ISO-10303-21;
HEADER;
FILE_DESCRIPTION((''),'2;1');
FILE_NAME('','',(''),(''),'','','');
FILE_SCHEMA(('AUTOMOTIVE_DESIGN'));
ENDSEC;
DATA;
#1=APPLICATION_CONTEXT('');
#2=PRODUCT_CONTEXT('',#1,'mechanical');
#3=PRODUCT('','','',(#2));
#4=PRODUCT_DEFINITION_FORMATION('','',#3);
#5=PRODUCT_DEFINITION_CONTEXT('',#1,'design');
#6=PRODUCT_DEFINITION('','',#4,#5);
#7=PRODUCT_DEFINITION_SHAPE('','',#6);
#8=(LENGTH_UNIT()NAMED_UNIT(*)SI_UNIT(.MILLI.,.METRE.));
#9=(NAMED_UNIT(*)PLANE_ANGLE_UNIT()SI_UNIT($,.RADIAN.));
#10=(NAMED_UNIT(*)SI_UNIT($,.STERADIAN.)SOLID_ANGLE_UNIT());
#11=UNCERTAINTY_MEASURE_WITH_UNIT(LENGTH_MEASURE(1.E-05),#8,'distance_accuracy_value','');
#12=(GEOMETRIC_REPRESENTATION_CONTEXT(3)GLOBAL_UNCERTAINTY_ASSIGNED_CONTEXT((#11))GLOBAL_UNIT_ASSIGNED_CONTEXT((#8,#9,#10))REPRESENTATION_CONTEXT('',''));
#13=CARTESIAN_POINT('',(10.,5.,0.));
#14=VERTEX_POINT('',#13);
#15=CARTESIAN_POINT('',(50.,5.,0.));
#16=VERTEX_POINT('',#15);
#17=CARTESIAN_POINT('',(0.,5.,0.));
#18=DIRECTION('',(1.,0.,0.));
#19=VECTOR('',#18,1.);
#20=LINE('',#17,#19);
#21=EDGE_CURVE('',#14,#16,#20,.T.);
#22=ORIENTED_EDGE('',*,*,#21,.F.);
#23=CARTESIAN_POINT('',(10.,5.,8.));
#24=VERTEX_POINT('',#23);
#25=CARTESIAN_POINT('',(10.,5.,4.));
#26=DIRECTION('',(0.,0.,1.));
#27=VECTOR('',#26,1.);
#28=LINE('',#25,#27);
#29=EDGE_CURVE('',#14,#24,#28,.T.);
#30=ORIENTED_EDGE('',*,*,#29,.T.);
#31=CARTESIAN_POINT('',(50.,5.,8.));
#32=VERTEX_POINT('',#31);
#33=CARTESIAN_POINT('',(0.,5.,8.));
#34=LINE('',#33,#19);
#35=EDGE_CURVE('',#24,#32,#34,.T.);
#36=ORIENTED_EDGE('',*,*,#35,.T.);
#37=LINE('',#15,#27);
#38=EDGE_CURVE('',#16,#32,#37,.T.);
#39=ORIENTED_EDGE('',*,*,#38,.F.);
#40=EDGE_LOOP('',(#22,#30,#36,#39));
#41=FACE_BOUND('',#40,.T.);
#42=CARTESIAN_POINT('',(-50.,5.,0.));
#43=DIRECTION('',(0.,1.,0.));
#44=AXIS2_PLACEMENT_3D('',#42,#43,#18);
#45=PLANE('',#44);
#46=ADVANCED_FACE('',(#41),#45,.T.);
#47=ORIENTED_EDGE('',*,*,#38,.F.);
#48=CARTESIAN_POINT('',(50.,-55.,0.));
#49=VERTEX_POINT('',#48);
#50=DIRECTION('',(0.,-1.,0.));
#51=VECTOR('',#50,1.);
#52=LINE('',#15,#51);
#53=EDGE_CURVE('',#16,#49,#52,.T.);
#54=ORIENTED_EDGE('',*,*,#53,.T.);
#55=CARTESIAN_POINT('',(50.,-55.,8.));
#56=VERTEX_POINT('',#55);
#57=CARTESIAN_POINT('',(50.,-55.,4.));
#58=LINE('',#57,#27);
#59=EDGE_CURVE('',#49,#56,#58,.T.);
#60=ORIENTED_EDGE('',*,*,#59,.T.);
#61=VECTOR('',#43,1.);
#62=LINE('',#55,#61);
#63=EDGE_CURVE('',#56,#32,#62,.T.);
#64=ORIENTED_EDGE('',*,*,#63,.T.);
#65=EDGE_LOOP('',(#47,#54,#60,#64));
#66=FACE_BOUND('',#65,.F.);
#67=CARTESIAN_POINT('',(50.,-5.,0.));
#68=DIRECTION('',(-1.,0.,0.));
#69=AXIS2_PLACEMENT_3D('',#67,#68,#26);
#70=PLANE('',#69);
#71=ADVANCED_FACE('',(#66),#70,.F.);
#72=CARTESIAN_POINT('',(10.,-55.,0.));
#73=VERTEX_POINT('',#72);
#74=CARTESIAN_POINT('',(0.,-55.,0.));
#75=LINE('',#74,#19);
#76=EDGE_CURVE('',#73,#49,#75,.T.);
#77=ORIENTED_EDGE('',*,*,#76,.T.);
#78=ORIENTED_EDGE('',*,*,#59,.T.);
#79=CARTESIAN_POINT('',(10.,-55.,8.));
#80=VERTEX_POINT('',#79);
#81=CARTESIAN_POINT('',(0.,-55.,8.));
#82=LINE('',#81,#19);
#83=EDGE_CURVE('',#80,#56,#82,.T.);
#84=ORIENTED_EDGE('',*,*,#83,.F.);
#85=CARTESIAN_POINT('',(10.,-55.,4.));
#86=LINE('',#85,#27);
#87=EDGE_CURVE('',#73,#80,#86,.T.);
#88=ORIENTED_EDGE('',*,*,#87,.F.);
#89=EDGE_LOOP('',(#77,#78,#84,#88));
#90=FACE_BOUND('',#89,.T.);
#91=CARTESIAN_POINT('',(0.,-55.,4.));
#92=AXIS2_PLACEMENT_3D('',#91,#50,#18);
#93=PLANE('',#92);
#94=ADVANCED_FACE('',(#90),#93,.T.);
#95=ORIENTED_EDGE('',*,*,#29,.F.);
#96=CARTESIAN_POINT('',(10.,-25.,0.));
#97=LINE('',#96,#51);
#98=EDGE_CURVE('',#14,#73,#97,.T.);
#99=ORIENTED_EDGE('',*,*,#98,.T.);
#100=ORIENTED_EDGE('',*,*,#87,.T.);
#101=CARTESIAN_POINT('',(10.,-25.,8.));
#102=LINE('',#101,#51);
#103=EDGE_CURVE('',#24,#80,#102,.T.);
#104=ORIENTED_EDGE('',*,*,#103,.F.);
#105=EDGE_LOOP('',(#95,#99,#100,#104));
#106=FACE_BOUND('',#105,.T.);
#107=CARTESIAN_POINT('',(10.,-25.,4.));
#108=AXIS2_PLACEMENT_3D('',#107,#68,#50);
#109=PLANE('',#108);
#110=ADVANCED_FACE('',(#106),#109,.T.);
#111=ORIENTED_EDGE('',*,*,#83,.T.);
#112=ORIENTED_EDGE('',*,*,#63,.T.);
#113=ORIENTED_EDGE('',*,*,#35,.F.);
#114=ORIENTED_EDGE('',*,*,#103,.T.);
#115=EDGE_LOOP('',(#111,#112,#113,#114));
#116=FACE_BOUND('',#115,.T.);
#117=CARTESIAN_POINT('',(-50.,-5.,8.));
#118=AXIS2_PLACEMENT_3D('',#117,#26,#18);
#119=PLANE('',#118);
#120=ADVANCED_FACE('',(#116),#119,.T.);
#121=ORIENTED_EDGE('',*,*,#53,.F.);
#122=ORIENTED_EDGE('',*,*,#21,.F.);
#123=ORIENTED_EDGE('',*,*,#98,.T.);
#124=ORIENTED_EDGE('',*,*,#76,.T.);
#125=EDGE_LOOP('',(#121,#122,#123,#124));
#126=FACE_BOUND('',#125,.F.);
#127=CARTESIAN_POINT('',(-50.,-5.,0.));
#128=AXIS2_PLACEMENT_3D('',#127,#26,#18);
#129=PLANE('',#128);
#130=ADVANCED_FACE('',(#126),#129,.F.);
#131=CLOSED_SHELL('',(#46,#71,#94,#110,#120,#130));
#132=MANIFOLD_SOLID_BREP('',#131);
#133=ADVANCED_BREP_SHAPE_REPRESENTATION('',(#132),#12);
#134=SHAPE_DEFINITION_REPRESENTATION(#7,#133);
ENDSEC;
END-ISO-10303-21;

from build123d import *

# Parameters (mm, degrees)
F0_W      = 100
F0_H      = 10
F1_DEPTH  = 8
F1_FACE_W = 100
F1_FACE_H = 8
F2_DEPTH  = 50
F2_FACE_W = 60
F2_FACE_H = 8
F3_DEPTH  = 60


with BuildPart() as f1:
    # F0 (on Top) → F1 (new body)
    with BuildSketch(Plane.XY):
        Rectangle(F0_W, F0_H)
    extrude(amount=F1_DEPTH)

    # F1_face (on face) → F2 (join)
    with BuildSketch(Plane(origin=(0, -5, 4), x_dir=(1, 0, 0), z_dir=(0, -1, 0))):
        Rectangle(F1_FACE_W, F1_FACE_H)
    extrude(amount=F2_DEPTH)

    # F2_face (on face) → F3 (cut)
    with BuildSketch(Plane(origin=(-50, -25, 4), x_dir=(0, -1, 0), z_dir=(-1, 0, 0))):
        Rectangle(F2_FACE_W, F2_FACE_H)
    extrude(amount=-F3_DEPTH, mode=Mode.SUBTRACT)


solid = f1.part
